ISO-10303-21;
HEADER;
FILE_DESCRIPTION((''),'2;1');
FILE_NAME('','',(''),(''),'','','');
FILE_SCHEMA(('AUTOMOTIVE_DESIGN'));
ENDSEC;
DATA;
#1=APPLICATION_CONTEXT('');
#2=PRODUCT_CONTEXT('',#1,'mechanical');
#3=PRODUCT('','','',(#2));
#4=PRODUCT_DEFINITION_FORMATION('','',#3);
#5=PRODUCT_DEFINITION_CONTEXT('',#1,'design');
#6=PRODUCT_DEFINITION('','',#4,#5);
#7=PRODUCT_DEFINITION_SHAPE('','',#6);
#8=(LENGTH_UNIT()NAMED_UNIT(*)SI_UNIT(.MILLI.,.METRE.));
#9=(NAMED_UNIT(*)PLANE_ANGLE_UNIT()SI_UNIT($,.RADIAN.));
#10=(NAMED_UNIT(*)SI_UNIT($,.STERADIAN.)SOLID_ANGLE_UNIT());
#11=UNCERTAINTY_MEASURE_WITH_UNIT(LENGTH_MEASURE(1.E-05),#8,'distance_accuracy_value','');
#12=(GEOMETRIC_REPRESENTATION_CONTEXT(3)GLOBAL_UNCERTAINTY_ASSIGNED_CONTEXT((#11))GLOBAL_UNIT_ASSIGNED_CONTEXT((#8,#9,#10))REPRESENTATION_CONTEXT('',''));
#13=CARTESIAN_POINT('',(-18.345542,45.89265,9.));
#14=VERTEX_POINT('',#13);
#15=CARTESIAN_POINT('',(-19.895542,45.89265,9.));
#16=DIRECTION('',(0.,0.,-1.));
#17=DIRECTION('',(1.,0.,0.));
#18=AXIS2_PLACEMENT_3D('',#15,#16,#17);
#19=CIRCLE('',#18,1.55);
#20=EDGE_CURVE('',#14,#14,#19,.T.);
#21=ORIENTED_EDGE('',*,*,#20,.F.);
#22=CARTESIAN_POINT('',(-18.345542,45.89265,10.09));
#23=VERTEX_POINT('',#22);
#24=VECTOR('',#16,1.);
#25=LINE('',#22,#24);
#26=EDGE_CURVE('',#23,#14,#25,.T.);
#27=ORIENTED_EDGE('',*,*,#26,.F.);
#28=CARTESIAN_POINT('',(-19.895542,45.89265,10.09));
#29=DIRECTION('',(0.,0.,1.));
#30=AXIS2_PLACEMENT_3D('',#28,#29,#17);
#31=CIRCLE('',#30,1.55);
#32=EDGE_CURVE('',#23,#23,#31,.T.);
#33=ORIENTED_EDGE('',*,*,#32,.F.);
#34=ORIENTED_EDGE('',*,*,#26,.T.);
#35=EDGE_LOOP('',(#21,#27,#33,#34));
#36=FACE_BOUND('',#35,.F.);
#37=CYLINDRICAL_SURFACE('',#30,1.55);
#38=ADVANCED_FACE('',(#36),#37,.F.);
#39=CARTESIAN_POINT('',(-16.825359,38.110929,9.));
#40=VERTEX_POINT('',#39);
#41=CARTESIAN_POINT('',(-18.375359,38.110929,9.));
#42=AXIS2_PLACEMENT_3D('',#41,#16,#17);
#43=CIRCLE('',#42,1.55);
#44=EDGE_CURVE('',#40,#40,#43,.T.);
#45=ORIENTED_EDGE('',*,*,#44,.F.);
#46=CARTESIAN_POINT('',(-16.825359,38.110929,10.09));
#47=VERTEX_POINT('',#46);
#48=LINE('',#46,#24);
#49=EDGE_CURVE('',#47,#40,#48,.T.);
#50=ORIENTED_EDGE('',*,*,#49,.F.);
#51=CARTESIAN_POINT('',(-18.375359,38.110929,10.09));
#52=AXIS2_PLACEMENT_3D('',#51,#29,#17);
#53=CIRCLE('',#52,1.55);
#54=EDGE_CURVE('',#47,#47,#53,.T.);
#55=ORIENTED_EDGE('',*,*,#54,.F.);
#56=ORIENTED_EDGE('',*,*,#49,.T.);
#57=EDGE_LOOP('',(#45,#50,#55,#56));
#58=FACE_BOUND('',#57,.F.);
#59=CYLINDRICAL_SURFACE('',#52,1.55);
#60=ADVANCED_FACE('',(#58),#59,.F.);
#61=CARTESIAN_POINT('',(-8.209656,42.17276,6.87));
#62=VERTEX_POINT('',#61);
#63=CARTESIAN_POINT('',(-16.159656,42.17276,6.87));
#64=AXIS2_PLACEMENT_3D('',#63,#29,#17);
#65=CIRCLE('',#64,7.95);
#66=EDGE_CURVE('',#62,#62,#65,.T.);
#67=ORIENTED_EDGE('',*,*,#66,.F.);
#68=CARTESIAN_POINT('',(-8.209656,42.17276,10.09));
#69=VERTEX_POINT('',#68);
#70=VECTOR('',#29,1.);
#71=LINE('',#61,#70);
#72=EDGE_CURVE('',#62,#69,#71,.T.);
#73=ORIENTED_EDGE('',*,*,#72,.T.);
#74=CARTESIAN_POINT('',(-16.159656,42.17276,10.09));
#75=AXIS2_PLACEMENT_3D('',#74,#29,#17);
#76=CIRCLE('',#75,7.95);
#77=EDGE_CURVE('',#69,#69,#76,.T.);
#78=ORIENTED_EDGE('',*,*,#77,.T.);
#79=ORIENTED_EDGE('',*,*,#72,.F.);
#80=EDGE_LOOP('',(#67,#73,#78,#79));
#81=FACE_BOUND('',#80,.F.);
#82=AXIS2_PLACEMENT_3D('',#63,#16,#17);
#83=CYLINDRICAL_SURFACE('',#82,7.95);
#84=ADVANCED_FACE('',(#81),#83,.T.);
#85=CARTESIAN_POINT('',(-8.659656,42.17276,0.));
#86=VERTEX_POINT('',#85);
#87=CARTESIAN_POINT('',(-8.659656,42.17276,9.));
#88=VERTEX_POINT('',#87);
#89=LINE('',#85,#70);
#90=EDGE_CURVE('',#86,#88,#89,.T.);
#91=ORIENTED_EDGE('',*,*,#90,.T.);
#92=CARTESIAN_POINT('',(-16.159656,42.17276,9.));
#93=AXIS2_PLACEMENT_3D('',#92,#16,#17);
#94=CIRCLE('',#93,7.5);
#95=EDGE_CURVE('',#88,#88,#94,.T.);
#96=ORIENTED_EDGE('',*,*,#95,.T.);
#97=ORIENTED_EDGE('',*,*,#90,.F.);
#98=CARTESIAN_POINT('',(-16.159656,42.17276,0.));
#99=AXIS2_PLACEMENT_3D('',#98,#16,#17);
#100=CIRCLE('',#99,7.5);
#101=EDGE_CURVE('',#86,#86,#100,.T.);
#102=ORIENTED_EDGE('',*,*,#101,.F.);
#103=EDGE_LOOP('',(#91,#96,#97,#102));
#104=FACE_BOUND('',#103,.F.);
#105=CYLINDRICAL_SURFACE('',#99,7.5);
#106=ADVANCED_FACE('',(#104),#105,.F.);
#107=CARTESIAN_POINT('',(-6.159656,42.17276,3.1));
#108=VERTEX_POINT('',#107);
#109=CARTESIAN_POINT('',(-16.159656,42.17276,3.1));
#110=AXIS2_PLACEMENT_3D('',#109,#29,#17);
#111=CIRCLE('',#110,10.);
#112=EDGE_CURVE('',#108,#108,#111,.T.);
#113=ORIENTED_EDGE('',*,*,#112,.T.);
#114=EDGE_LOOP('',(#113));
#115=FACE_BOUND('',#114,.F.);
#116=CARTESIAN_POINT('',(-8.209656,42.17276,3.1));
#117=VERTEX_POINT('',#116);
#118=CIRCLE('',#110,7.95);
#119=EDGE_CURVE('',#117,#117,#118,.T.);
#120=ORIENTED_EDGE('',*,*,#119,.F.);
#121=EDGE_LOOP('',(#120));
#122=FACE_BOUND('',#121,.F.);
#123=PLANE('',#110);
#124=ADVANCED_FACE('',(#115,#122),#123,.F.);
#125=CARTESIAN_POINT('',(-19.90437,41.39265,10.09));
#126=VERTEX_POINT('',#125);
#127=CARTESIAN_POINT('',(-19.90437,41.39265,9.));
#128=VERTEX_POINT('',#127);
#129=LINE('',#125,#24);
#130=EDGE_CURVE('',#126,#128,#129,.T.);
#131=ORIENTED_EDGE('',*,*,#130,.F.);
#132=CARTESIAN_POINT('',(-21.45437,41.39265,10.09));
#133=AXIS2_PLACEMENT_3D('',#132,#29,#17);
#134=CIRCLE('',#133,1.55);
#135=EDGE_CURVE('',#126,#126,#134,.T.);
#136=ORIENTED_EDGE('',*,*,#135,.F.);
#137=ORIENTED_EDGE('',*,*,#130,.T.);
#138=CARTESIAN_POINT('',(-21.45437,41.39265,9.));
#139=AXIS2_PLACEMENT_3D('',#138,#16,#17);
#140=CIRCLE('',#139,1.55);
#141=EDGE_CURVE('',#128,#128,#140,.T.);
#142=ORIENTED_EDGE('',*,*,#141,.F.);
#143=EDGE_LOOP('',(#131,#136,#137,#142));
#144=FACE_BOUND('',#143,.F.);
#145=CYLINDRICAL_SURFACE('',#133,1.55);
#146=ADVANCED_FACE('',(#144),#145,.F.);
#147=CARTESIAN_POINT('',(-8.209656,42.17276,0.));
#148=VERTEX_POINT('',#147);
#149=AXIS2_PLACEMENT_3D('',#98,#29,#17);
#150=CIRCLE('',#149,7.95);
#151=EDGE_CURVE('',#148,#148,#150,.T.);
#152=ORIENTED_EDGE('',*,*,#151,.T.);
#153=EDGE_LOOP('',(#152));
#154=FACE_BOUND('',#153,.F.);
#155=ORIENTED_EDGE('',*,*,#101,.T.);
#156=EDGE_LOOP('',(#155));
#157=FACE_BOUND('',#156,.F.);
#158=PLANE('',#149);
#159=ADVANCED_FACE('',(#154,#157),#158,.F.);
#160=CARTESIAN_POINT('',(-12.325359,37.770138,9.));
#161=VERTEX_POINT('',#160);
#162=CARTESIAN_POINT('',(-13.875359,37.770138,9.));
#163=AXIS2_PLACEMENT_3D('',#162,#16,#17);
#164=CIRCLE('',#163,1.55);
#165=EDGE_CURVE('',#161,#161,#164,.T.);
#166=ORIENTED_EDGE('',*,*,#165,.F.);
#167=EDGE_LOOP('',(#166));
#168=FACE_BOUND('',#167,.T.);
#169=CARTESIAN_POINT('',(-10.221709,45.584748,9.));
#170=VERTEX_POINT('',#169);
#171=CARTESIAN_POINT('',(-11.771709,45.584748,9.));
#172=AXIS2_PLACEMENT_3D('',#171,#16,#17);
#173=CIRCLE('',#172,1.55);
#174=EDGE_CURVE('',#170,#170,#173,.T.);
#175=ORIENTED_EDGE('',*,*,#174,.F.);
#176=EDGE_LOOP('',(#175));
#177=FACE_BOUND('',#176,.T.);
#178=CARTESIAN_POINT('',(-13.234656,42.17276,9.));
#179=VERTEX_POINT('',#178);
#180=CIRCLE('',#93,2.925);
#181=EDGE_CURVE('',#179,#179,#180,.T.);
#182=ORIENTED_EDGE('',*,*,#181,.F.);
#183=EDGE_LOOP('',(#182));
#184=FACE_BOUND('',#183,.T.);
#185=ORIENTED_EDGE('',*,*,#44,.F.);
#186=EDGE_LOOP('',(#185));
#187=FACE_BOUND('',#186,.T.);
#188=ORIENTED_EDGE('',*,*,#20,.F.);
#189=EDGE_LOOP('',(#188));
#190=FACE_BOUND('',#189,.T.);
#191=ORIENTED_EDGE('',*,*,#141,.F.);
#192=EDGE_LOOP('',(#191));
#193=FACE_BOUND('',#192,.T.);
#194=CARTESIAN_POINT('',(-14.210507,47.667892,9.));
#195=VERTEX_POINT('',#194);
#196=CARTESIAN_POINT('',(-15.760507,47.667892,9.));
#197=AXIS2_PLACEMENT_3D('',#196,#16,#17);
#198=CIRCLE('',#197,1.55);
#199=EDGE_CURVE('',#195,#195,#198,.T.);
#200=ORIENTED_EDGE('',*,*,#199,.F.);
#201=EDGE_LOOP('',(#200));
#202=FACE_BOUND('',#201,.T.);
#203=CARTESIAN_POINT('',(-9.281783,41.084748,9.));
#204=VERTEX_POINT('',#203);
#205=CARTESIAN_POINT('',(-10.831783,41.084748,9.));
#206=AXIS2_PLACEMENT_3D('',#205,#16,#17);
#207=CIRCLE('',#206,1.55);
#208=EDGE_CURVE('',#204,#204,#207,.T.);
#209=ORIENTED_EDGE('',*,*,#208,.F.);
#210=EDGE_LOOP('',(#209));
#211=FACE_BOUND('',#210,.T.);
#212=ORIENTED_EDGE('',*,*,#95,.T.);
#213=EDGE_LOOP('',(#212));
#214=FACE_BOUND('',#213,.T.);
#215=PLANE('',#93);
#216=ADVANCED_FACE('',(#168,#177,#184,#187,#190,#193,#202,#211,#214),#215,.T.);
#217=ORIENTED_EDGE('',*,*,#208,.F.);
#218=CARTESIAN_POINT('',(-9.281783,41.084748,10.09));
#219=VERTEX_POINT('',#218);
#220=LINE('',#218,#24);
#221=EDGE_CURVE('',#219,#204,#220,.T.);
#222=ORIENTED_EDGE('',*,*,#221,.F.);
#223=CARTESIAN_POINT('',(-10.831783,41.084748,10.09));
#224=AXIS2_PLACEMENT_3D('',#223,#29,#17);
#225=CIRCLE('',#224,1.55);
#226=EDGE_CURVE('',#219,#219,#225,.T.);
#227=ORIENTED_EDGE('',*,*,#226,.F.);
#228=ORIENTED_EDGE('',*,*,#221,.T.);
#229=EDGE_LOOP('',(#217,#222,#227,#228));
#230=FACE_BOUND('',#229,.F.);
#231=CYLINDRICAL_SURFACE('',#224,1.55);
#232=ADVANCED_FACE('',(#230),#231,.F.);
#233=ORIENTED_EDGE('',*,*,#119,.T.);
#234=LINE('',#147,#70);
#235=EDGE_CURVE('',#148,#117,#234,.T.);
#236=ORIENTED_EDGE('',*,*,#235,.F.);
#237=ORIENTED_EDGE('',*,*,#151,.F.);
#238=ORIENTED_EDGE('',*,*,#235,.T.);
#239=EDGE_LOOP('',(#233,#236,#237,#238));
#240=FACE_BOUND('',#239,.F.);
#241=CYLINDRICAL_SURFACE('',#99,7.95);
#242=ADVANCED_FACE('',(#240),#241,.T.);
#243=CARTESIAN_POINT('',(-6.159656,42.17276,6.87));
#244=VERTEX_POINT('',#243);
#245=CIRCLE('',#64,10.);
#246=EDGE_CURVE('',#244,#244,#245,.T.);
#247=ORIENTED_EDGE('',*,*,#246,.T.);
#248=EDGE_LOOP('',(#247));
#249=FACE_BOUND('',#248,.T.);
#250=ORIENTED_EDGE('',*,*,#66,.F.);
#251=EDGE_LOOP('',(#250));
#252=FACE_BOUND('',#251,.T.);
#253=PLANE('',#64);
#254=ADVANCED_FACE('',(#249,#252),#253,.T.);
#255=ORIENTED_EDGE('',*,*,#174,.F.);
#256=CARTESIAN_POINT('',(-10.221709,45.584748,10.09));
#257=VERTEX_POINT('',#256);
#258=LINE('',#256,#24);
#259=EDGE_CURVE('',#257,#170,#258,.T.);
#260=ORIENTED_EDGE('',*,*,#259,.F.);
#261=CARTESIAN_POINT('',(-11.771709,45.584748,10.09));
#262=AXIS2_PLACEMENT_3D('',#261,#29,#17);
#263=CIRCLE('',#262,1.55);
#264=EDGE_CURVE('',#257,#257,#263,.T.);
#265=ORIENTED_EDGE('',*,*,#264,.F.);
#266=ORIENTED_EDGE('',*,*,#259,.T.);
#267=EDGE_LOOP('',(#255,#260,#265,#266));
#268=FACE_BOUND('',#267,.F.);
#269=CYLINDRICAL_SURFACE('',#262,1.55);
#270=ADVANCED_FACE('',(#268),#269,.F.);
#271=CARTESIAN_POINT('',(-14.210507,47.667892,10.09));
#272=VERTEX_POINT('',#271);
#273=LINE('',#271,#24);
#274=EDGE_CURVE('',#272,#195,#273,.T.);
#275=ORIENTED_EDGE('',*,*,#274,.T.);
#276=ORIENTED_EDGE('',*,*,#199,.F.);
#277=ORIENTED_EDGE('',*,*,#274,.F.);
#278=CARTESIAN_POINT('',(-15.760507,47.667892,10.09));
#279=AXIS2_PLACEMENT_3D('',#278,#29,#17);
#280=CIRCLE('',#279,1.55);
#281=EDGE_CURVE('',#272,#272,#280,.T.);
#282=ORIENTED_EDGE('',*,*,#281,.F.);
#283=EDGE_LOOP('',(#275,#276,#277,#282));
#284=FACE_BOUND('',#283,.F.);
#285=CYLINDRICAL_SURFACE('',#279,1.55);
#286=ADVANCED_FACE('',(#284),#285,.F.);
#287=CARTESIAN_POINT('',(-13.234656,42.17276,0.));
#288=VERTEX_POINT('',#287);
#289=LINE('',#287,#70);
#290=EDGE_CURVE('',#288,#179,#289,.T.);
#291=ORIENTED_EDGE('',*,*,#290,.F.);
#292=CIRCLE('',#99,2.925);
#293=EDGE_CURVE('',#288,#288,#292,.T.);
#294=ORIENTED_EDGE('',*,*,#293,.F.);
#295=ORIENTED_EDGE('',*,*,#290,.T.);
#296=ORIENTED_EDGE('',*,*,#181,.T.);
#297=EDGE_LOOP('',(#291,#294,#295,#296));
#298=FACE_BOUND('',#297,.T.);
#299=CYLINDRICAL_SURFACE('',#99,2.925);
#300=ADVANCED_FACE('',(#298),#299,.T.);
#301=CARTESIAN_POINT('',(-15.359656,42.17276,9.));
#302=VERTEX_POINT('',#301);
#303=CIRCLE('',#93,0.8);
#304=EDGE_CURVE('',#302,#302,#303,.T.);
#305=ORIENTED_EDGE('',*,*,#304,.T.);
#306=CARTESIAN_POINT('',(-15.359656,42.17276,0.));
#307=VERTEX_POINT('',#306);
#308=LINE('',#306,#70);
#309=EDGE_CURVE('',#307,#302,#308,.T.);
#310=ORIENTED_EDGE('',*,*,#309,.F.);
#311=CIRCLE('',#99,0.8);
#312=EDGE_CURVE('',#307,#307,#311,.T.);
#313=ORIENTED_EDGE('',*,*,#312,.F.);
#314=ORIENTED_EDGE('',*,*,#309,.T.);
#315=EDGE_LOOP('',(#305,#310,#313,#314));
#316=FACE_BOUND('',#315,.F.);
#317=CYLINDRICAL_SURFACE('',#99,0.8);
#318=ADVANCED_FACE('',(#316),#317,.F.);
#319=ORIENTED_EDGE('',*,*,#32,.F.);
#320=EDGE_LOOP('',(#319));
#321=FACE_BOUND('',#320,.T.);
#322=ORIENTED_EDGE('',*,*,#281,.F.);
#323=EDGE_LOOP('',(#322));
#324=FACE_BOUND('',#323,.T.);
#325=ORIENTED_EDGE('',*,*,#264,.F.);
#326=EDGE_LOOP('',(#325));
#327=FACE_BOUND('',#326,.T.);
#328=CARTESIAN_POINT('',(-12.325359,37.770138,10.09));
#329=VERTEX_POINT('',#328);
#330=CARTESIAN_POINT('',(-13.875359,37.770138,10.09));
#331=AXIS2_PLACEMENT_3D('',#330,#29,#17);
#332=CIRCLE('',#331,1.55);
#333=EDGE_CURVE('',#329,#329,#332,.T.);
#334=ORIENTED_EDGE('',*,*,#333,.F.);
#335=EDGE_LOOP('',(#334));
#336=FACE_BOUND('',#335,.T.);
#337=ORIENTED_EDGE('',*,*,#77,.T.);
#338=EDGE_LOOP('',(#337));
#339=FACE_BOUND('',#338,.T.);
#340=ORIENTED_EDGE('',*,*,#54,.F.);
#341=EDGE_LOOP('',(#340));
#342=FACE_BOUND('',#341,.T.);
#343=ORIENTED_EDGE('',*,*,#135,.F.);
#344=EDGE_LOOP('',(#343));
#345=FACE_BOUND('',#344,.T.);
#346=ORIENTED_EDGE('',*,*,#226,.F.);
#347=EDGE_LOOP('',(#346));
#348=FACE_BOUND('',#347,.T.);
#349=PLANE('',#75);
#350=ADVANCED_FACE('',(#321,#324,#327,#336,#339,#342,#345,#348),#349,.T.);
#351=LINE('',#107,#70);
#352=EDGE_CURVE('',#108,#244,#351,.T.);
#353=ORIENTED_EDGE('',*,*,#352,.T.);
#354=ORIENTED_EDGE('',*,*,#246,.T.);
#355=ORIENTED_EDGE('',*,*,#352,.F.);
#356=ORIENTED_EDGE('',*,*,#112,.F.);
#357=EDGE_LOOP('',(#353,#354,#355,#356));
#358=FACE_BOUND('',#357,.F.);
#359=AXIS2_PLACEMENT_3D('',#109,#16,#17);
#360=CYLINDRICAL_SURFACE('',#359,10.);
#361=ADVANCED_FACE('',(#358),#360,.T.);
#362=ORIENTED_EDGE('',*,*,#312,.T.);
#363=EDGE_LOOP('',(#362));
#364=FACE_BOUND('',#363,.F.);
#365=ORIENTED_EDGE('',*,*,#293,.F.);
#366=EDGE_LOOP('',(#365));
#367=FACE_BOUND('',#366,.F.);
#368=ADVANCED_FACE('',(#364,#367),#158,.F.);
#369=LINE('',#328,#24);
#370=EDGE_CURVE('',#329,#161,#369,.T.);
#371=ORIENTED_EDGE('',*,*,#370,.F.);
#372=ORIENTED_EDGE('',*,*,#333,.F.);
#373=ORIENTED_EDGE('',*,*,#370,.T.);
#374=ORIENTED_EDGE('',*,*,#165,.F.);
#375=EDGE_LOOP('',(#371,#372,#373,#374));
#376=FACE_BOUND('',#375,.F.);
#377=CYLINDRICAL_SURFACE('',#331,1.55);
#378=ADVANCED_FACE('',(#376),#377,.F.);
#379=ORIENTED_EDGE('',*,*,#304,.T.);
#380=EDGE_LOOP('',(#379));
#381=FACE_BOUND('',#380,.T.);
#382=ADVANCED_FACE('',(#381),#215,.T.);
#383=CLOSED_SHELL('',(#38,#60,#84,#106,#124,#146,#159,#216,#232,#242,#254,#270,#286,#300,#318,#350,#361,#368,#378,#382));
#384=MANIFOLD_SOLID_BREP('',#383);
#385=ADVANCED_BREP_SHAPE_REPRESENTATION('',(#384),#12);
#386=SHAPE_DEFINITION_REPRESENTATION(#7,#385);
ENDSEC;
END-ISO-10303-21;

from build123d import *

# Parameters (mm, degrees)
F0_R     = 7.95
F1_DEPTH = 3.1
F2_R     = 10
F3_DEPTH = 3.77
F4_R     = 7.95
F5_DEPTH = 3.22
F6_R     = 1.55
F7_DEPTH = 25
F8_R     = 7.5
F8_R_2   = 1.55
F8_R_3   = 2.925
F8_R_4   = 0.8
F9_DEPTH = 9


with BuildPart() as f1:
    # F0 (on Top) → F1 (new body)
    with BuildSketch(Plane.XY):
        with Locations((-16.1596555263, 42.1727597713)):
            Circle(F0_R)
    extrude(amount=F1_DEPTH)

    # F2 (on face) → F3 (join)
    with BuildSketch(Plane.XY.offset(3.1)):
        with Locations((-16.1596555263, 42.1727597713)):
            Circle(F2_R)
    extrude(amount=F3_DEPTH)

    # F4 (on face) → F5 (join)
    with BuildSketch(Plane.XY.offset(6.87)):
        with Locations((-16.1596555263, 42.1727597713)):
            Circle(F4_R)
    extrude(amount=F5_DEPTH)

    # F6 (on face) → F7 (cut)
    with BuildSketch(Plane.XY.offset(10.09)):
        with Locations((-15.7605068353, 47.6678920378)):
            Circle(F6_R)
        with Locations((-19.8955421826, 45.8926504552)):
            Circle(F6_R)
        with Locations((-21.4543696493, 41.3926504552)):
            Circle(F6_R)
        with Locations((-18.3753594756, 38.1109289024)):
            Circle(F6_R)
        with Locations((-13.8753594756, 37.7701377139)):
            Circle(F6_R)
        with Locations((-10.8317825943, 41.0847477615)):
            Circle(F6_R)
        with Locations((-11.7717087802, 45.5847477615)):
            Circle(F6_R)
    extrude(amount=-F7_DEPTH, mode=Mode.SUBTRACT)

    # F8 (on face) → F9 (cut)
    with BuildSketch(Plane(origin=(0, 0, 0), x_dir=(1, 0, 0), z_dir=(0, 0, -1))):
        with Locations((-16.1596555263, -42.1727597713)):
            Circle(F8_R)
        with Locations((-19.8955421826, -45.8926504552)):
            Circle(F8_R_2, mode=Mode.SUBTRACT)
        with Locations((-16.1596555263, -42.1727597713)):
            Circle(F8_R_3, mode=Mode.SUBTRACT)
        with Locations((-15.7605068353, -47.6678920378)):
            Circle(F8_R_2, mode=Mode.SUBTRACT)
        with Locations((-11.7717087802, -45.5847477615)):
            Circle(F8_R_2, mode=Mode.SUBTRACT)
        with Locations((-21.4543696493, -41.3926504552)):
            Circle(F8_R_2, mode=Mode.SUBTRACT)
        with Locations((-18.3753594756, -38.1109289024)):
            Circle(F8_R_2, mode=Mode.SUBTRACT)
        with Locations((-10.8317825943, -41.0847477615)):
            Circle(F8_R_2, mode=Mode.SUBTRACT)
        with Locations((-13.8753594756, -37.7701377139)):
            Circle(F8_R_2, mode=Mode.SUBTRACT)
        with Locations((-16.1596555263, -42.1727597713)):
            Circle(F8_R_4)
    extrude(amount=-F9_DEPTH, mode=Mode.SUBTRACT)


solid = f1.part
